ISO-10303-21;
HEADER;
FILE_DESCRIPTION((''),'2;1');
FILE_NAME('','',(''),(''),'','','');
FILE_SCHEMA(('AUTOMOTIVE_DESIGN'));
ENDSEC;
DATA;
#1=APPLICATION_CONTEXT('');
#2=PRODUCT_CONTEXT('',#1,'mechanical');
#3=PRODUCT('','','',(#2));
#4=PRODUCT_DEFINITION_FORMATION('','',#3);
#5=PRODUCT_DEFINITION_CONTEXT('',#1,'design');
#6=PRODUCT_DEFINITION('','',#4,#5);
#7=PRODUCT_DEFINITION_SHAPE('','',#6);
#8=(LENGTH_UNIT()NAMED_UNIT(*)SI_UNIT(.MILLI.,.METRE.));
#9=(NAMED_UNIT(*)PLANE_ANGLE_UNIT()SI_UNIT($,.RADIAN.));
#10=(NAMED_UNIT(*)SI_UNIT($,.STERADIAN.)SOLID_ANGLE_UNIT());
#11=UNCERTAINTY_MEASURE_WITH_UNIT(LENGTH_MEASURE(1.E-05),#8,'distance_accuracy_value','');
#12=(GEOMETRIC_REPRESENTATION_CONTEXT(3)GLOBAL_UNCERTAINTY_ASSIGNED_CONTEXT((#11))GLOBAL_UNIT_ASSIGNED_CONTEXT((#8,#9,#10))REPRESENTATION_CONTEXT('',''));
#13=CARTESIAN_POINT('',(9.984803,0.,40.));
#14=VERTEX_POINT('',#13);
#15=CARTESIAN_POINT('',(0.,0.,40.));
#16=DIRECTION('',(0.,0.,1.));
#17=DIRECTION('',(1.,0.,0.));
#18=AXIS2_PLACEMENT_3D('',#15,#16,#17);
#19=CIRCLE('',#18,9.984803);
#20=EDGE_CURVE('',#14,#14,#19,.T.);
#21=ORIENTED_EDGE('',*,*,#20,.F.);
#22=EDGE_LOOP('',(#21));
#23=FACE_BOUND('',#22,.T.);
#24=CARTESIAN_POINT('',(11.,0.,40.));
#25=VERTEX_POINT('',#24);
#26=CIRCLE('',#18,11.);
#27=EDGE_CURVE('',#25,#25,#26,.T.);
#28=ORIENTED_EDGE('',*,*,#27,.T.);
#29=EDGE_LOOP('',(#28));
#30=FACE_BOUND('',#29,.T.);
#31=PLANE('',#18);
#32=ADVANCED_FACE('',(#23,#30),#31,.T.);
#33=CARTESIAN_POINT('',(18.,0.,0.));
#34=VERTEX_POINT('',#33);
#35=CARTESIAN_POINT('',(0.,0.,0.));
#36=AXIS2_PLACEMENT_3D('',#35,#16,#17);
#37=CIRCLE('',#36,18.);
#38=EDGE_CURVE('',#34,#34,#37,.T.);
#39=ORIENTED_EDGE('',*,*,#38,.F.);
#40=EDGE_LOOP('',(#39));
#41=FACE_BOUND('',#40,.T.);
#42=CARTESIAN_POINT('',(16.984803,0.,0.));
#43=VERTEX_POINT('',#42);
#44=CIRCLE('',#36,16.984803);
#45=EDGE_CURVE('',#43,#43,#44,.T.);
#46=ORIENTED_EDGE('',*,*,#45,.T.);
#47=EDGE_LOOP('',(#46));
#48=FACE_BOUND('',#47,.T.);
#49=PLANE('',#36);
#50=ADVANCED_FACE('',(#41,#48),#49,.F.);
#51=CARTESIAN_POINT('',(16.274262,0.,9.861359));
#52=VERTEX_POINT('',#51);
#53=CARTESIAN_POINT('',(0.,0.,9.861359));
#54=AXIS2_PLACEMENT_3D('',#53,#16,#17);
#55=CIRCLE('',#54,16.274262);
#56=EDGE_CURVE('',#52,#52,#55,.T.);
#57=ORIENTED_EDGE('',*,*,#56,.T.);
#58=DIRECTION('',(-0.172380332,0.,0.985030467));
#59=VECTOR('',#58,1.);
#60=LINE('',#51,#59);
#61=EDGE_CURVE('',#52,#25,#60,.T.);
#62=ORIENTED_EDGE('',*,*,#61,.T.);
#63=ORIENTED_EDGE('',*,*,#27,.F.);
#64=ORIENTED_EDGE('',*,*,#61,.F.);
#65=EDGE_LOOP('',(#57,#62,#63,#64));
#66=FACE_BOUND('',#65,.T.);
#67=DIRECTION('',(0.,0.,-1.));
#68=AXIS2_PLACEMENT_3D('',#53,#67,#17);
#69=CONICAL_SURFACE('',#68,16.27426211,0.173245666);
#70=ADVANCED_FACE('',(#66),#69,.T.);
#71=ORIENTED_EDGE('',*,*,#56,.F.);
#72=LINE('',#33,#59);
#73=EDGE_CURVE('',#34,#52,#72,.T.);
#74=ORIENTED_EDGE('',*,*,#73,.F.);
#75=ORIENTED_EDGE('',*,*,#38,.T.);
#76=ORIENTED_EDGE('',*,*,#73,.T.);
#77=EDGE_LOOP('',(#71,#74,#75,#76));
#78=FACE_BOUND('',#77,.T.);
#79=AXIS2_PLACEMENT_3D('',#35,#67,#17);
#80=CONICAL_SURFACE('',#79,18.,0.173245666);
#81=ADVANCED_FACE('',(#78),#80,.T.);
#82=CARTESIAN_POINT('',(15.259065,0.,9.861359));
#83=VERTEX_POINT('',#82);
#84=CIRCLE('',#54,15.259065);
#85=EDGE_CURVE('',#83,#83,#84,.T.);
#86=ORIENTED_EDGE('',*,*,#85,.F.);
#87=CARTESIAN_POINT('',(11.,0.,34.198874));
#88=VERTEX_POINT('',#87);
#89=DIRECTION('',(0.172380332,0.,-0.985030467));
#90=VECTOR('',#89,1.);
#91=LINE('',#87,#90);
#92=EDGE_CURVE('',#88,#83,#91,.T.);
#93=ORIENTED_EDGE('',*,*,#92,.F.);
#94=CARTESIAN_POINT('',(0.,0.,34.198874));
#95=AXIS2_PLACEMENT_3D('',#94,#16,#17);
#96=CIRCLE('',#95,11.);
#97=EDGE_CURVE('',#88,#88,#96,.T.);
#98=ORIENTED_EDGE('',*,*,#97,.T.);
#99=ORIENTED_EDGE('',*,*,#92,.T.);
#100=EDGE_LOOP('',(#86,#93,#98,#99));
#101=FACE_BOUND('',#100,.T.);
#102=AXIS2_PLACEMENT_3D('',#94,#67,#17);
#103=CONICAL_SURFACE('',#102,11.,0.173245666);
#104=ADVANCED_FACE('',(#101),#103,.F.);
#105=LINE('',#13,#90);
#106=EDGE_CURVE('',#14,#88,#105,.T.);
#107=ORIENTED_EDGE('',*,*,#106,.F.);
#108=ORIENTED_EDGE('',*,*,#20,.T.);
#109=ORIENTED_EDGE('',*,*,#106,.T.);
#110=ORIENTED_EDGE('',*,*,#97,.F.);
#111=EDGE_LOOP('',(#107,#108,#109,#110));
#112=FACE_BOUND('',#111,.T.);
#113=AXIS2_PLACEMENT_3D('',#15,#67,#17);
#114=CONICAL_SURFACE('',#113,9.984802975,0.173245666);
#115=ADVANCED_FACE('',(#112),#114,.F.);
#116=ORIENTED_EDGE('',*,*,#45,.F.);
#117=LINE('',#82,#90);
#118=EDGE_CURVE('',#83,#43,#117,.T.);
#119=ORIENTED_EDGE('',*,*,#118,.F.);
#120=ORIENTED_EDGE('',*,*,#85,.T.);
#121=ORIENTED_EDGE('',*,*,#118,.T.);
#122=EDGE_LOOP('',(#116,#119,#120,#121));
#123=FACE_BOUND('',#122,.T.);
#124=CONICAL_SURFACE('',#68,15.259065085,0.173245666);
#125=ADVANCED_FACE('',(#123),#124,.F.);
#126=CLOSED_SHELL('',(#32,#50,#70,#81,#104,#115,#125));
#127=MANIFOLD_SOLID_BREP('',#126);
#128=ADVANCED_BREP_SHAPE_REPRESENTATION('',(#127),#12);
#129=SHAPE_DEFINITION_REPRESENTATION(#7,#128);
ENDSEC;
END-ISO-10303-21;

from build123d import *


with BuildPart() as f1:
    # F0 (on Front) → F1 (revolve)
    with BuildSketch(Plane.XZ):
        Polygon((15.2590650846, 9.8613593727), (16.9848029748, 0), (18, 0), (16.2742621098, 9.8613593727), align=None)
        Polygon((11, 40), (11, 34.1988741416), (15.2590650846, 9.8613593727), (16.2742621098, 9.8613593727), align=None)
        Polygon((9.9848029748, 40), (11, 34.1988741416), (11, 40), align=None)
    revolve(axis=Axis((0, 0, 20), (0, 0, 1)))


solid = f1.part
